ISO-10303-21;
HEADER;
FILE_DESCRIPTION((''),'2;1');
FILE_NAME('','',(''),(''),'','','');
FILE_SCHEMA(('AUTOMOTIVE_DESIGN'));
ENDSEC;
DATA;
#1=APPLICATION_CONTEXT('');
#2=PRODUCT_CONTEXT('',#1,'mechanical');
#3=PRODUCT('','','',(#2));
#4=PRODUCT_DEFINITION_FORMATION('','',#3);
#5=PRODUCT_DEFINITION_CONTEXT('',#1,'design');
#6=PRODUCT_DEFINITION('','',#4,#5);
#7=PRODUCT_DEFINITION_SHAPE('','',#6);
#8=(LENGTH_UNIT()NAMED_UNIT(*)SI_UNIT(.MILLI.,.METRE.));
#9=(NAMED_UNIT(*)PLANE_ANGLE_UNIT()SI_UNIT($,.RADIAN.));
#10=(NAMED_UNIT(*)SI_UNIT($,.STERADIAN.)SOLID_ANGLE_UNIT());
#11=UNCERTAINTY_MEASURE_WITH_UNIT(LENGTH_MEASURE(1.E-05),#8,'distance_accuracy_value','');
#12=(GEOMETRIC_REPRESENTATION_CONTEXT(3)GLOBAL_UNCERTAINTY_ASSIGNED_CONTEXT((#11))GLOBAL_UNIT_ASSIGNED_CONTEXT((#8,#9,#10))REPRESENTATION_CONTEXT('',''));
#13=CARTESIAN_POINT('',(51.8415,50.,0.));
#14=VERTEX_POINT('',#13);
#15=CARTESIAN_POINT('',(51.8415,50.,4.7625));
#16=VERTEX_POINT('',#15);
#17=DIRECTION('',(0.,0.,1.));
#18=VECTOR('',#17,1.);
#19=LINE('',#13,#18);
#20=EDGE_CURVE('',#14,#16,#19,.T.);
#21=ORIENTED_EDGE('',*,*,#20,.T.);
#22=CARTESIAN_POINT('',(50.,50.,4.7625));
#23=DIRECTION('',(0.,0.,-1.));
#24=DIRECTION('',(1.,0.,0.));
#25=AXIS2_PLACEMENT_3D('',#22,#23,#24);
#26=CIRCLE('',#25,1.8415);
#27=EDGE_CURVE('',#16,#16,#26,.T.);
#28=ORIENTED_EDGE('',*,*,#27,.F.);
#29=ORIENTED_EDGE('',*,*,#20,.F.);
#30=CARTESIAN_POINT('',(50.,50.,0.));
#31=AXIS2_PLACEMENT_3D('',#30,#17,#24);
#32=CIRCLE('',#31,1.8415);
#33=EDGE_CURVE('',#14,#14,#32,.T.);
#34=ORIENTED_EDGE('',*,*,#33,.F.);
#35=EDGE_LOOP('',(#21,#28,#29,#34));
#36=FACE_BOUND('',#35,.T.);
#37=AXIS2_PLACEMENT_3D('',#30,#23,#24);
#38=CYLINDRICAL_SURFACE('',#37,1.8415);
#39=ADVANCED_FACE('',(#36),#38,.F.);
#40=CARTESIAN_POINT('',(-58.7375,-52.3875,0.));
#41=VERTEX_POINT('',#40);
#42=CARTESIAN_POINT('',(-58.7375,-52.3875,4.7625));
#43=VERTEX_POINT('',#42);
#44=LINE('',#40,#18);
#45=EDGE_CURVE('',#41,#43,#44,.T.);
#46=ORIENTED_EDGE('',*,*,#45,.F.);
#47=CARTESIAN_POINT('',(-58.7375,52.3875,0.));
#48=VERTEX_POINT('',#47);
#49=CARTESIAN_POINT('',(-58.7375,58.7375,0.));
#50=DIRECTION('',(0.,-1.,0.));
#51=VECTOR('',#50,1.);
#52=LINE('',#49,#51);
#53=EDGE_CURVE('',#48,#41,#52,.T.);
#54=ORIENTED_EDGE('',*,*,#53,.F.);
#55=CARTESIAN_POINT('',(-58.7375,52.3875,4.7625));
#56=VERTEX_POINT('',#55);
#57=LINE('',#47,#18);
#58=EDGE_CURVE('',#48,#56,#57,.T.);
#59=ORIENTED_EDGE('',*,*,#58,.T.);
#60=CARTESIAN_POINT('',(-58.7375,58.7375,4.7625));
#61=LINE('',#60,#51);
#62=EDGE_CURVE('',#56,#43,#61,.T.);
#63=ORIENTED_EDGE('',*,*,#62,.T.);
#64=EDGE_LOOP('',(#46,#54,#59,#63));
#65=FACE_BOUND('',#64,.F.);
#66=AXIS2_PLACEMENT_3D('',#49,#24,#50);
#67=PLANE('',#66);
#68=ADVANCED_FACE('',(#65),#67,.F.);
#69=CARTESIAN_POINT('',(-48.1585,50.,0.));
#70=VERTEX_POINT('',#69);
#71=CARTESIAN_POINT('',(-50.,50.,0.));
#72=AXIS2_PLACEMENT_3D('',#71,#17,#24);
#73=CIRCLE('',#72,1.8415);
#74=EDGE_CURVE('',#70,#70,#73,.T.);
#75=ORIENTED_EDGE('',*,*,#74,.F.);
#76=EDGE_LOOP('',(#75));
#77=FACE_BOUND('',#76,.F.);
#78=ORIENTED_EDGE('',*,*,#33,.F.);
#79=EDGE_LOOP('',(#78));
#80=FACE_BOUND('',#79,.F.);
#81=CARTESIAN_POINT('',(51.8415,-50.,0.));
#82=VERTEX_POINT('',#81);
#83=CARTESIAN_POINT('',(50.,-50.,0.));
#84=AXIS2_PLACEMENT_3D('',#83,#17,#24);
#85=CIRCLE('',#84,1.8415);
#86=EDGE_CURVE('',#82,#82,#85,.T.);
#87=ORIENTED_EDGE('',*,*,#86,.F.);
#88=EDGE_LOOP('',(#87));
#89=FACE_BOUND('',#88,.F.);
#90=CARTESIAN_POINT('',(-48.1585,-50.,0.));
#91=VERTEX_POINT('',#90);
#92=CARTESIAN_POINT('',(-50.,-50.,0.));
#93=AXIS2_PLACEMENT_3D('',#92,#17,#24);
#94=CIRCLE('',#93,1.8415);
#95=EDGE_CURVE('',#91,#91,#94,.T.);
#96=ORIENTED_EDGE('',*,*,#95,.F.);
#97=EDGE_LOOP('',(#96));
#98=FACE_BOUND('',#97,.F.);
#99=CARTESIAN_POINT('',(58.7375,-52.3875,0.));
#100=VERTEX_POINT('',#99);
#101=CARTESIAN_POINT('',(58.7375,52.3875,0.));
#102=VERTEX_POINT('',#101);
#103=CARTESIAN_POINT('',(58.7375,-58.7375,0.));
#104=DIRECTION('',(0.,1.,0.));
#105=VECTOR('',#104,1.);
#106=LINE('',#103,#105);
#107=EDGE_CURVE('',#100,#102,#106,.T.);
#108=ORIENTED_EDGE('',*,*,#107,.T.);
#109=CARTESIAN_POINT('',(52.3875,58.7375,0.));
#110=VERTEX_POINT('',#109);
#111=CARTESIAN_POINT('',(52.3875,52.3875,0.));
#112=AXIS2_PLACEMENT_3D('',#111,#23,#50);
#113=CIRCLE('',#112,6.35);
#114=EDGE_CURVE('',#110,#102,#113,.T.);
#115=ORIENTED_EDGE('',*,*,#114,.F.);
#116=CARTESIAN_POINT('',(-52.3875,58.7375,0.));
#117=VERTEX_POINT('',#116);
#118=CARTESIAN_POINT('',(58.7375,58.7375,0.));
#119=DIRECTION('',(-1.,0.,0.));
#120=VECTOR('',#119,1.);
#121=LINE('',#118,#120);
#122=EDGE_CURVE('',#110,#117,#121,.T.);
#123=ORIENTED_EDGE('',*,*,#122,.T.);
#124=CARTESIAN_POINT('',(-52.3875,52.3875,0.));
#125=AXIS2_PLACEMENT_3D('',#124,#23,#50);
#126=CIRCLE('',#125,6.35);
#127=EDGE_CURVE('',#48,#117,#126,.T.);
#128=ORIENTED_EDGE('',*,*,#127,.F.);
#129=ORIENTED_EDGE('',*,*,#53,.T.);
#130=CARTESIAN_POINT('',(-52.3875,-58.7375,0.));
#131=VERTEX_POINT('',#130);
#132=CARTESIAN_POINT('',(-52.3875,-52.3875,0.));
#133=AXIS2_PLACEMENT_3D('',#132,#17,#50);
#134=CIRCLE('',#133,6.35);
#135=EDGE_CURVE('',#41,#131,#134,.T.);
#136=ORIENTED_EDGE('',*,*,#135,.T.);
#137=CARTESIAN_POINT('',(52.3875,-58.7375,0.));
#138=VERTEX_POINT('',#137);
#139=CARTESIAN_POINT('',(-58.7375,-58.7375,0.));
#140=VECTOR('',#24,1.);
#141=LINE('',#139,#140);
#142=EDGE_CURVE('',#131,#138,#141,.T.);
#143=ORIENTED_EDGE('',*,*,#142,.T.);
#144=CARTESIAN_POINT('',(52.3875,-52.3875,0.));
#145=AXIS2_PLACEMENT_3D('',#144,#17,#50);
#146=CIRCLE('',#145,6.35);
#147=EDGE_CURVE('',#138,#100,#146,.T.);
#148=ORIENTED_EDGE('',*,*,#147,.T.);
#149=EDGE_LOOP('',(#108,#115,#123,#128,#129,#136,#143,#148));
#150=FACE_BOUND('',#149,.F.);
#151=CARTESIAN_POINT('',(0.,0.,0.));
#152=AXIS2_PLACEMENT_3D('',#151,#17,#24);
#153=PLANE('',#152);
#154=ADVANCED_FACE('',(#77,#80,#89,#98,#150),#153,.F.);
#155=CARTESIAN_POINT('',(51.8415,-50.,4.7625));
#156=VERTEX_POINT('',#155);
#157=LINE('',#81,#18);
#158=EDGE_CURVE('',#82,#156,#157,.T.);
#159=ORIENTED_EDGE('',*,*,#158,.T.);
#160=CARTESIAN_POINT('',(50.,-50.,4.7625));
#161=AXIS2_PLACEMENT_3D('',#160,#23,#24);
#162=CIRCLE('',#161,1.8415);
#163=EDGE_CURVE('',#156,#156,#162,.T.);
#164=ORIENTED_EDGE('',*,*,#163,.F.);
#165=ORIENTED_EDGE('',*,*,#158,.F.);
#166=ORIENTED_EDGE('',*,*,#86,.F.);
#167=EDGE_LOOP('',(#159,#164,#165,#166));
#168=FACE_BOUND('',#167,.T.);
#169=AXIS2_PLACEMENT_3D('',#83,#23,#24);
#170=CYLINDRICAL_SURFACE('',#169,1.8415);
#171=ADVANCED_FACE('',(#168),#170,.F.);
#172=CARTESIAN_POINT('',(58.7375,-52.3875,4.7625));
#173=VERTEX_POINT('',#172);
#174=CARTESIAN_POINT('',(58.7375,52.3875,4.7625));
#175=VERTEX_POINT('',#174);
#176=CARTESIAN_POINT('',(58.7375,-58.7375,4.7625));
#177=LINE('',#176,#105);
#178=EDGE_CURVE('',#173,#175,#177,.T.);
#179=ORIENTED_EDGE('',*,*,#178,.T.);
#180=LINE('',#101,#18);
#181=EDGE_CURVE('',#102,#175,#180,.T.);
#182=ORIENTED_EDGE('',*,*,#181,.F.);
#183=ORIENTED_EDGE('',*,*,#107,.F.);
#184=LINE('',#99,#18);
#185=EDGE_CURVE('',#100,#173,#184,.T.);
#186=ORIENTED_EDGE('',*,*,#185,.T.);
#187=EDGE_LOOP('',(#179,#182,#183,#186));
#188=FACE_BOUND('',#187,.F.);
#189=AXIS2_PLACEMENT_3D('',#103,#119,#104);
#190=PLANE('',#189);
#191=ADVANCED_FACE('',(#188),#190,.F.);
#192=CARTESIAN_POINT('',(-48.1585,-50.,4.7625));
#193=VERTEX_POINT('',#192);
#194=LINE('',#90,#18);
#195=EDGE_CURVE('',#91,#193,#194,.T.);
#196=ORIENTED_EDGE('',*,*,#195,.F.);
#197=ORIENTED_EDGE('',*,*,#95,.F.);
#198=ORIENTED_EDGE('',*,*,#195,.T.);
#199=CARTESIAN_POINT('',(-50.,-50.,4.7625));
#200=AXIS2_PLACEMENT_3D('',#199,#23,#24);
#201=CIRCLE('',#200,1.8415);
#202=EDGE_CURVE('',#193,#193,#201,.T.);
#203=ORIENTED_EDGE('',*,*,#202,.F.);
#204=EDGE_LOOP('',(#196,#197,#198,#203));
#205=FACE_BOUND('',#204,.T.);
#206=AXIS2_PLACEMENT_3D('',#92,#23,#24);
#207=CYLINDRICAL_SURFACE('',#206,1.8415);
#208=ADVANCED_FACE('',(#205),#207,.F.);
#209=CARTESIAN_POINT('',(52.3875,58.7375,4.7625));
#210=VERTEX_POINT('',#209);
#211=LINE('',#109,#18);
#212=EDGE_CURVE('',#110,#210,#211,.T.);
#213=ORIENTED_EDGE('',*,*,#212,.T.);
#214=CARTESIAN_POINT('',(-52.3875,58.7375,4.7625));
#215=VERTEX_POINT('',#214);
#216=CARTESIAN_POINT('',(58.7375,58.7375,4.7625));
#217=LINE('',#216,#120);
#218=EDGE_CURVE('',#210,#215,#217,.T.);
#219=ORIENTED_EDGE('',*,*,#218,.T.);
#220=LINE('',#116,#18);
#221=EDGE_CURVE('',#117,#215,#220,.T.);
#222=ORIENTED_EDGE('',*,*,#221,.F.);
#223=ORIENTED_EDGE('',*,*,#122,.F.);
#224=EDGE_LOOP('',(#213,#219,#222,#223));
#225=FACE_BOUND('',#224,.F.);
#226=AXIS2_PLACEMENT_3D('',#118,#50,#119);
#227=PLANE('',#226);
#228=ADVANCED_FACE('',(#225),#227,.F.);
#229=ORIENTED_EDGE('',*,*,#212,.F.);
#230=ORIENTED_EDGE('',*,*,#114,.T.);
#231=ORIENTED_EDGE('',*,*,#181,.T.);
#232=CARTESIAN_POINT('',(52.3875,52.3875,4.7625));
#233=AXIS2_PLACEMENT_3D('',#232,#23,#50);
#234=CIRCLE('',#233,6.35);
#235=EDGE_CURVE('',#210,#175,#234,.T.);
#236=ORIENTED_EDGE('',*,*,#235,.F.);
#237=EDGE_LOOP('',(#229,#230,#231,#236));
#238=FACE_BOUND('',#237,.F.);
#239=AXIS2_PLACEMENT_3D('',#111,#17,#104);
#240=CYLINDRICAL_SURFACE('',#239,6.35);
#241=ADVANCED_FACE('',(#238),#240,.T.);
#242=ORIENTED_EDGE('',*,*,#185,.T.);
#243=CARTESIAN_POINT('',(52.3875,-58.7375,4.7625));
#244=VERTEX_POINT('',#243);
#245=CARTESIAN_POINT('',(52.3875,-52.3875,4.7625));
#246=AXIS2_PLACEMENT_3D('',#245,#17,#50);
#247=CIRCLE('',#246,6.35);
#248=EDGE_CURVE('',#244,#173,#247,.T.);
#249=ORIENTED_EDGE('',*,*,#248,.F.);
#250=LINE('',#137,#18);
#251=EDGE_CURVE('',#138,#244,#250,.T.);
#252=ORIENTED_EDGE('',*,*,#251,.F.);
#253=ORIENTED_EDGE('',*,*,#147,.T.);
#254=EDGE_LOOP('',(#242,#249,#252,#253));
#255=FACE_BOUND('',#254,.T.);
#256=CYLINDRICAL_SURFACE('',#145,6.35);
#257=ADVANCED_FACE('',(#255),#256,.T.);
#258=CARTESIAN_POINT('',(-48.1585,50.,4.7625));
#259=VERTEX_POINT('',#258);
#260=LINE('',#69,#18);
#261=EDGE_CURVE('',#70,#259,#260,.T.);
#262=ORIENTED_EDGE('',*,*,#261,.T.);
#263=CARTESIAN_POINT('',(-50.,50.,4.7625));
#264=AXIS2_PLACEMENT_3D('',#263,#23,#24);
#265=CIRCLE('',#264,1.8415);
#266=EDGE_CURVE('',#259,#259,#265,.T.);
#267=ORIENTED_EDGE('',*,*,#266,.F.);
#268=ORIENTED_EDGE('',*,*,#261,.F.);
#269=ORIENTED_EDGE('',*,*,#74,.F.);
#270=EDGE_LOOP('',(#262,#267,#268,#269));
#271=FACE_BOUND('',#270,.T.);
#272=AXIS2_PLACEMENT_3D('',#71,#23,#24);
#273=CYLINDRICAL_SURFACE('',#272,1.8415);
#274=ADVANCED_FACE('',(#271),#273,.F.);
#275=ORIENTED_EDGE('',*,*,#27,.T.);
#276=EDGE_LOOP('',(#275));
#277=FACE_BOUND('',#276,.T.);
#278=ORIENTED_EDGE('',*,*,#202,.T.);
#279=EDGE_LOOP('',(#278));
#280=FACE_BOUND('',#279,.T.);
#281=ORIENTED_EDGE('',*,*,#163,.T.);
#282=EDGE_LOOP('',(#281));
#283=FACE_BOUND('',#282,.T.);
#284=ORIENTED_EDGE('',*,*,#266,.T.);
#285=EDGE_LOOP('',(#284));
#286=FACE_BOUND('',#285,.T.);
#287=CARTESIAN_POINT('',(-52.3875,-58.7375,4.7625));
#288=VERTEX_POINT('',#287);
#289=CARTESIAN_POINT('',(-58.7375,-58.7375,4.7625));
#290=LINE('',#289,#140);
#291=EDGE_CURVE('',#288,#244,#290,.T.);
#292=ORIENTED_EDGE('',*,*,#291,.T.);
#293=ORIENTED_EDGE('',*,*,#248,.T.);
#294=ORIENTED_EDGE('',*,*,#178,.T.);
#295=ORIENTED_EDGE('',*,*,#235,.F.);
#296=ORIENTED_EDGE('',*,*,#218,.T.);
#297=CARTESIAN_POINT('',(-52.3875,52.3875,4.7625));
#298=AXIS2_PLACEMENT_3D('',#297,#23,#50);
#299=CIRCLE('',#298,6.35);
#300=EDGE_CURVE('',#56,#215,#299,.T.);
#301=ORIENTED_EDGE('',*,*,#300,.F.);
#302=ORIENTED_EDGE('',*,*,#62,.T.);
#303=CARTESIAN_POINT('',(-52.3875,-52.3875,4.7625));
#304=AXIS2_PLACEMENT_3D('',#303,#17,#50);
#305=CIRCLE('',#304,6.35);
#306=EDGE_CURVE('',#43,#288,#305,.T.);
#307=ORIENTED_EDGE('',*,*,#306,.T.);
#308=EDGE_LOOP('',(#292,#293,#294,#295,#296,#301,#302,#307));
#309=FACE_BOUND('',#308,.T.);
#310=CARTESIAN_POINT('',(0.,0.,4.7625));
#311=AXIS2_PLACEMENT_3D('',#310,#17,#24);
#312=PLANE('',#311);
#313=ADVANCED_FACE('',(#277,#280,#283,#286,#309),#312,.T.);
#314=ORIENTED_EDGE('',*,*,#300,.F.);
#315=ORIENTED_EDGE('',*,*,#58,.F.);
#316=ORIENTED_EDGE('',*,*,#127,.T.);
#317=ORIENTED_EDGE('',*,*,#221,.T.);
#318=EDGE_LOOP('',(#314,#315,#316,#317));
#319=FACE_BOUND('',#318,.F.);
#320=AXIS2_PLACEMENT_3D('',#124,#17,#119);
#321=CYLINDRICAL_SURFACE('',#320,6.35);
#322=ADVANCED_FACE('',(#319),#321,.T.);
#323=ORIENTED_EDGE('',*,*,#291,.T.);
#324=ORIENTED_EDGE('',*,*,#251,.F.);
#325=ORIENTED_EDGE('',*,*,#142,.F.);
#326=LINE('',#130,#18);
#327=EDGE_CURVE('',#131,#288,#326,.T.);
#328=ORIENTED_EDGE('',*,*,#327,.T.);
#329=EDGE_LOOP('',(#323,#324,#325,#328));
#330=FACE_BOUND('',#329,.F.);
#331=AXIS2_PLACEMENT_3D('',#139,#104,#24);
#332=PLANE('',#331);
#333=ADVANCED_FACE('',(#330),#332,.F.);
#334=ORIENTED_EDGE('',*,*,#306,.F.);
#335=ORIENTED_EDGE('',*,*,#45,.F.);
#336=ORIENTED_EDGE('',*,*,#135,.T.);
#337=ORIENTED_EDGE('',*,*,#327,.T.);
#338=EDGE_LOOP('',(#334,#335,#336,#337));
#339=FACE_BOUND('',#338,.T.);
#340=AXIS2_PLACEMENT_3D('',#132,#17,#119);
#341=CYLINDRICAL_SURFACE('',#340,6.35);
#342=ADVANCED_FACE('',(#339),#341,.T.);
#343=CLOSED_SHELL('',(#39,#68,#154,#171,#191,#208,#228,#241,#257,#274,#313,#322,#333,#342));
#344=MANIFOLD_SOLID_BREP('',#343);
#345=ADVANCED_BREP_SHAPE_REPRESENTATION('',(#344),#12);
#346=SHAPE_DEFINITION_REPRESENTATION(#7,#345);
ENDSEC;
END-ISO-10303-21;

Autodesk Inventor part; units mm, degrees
ref_plane "YZ Plane" through (0, 0, 0) normal (1, 0, 0) x (0, 1, 0)
ref_plane "XZ Plane" through (0, 0, 0) normal (0, 1, 0) x (-1, 0, 0)
ref_plane "XY Plane" through (0, 0, 0) normal (0, 0, 1) x (1, 0, 0)
sketch "Sketch1" plane through (0, 0, 0) normal (0, 0, 1) x (1, 0, 0)
  line L0 (-58.7375, -58.7375) -> (58.7375, -58.7375)
  line L1 (58.7375, -58.7375) -> (58.7375, 58.7375)
  line L2 (58.7375, 58.7375) -> (-58.7375, 58.7375)
  line L3 (-58.7375, 58.7375) -> (-58.7375, -58.7375)
  circle A0 centre (-50, 50) radius 1.8415
  circle A1 centre (50, 50) radius 1.8415
  circle A2 centre (50, -50) radius 1.8415
  circle A3 centre (-50, -50) radius 1.8415
  line L4 (-50, 50) -> (50, 50)
  line L5 (50, 50) -> (50, -50)
  line L6 (50, -50) -> (-50, -50)
  line L7 (-50, -50) -> (-50, 50)
  point P0 (0, 0)
  point P1 (-51.5938, 0)
  point P2 (0, 50)
  point P3 (-50, 0)
  dimension "d0" = 117.475
  dimension "d1" = 117.475
  dimension "d2" = 3.683
  dimension "d7" = 3.683
  dimension "d11" = 3.683
  dimension "d29" = 100
  dimension "d30" = 100
  dimension "d31" = 100
  dimension "d32" = 3.683
extrude "Extrusion1" add sketch "Sketch1" along normal blind 4.7625 contours L3 L2 L1 L0 | L4 A1 L5 A2 L6 A3 L7 A0
fillet "Fillet1" radius 6.35 4 edges at (58.7375, 58.7375, 2.3813) (-58.7375, 58.7375, 2.3813) (58.7375, -58.7375, 2.3813) (-58.7375, -58.7375, 2.3813)
properties part number "VESA mount"
